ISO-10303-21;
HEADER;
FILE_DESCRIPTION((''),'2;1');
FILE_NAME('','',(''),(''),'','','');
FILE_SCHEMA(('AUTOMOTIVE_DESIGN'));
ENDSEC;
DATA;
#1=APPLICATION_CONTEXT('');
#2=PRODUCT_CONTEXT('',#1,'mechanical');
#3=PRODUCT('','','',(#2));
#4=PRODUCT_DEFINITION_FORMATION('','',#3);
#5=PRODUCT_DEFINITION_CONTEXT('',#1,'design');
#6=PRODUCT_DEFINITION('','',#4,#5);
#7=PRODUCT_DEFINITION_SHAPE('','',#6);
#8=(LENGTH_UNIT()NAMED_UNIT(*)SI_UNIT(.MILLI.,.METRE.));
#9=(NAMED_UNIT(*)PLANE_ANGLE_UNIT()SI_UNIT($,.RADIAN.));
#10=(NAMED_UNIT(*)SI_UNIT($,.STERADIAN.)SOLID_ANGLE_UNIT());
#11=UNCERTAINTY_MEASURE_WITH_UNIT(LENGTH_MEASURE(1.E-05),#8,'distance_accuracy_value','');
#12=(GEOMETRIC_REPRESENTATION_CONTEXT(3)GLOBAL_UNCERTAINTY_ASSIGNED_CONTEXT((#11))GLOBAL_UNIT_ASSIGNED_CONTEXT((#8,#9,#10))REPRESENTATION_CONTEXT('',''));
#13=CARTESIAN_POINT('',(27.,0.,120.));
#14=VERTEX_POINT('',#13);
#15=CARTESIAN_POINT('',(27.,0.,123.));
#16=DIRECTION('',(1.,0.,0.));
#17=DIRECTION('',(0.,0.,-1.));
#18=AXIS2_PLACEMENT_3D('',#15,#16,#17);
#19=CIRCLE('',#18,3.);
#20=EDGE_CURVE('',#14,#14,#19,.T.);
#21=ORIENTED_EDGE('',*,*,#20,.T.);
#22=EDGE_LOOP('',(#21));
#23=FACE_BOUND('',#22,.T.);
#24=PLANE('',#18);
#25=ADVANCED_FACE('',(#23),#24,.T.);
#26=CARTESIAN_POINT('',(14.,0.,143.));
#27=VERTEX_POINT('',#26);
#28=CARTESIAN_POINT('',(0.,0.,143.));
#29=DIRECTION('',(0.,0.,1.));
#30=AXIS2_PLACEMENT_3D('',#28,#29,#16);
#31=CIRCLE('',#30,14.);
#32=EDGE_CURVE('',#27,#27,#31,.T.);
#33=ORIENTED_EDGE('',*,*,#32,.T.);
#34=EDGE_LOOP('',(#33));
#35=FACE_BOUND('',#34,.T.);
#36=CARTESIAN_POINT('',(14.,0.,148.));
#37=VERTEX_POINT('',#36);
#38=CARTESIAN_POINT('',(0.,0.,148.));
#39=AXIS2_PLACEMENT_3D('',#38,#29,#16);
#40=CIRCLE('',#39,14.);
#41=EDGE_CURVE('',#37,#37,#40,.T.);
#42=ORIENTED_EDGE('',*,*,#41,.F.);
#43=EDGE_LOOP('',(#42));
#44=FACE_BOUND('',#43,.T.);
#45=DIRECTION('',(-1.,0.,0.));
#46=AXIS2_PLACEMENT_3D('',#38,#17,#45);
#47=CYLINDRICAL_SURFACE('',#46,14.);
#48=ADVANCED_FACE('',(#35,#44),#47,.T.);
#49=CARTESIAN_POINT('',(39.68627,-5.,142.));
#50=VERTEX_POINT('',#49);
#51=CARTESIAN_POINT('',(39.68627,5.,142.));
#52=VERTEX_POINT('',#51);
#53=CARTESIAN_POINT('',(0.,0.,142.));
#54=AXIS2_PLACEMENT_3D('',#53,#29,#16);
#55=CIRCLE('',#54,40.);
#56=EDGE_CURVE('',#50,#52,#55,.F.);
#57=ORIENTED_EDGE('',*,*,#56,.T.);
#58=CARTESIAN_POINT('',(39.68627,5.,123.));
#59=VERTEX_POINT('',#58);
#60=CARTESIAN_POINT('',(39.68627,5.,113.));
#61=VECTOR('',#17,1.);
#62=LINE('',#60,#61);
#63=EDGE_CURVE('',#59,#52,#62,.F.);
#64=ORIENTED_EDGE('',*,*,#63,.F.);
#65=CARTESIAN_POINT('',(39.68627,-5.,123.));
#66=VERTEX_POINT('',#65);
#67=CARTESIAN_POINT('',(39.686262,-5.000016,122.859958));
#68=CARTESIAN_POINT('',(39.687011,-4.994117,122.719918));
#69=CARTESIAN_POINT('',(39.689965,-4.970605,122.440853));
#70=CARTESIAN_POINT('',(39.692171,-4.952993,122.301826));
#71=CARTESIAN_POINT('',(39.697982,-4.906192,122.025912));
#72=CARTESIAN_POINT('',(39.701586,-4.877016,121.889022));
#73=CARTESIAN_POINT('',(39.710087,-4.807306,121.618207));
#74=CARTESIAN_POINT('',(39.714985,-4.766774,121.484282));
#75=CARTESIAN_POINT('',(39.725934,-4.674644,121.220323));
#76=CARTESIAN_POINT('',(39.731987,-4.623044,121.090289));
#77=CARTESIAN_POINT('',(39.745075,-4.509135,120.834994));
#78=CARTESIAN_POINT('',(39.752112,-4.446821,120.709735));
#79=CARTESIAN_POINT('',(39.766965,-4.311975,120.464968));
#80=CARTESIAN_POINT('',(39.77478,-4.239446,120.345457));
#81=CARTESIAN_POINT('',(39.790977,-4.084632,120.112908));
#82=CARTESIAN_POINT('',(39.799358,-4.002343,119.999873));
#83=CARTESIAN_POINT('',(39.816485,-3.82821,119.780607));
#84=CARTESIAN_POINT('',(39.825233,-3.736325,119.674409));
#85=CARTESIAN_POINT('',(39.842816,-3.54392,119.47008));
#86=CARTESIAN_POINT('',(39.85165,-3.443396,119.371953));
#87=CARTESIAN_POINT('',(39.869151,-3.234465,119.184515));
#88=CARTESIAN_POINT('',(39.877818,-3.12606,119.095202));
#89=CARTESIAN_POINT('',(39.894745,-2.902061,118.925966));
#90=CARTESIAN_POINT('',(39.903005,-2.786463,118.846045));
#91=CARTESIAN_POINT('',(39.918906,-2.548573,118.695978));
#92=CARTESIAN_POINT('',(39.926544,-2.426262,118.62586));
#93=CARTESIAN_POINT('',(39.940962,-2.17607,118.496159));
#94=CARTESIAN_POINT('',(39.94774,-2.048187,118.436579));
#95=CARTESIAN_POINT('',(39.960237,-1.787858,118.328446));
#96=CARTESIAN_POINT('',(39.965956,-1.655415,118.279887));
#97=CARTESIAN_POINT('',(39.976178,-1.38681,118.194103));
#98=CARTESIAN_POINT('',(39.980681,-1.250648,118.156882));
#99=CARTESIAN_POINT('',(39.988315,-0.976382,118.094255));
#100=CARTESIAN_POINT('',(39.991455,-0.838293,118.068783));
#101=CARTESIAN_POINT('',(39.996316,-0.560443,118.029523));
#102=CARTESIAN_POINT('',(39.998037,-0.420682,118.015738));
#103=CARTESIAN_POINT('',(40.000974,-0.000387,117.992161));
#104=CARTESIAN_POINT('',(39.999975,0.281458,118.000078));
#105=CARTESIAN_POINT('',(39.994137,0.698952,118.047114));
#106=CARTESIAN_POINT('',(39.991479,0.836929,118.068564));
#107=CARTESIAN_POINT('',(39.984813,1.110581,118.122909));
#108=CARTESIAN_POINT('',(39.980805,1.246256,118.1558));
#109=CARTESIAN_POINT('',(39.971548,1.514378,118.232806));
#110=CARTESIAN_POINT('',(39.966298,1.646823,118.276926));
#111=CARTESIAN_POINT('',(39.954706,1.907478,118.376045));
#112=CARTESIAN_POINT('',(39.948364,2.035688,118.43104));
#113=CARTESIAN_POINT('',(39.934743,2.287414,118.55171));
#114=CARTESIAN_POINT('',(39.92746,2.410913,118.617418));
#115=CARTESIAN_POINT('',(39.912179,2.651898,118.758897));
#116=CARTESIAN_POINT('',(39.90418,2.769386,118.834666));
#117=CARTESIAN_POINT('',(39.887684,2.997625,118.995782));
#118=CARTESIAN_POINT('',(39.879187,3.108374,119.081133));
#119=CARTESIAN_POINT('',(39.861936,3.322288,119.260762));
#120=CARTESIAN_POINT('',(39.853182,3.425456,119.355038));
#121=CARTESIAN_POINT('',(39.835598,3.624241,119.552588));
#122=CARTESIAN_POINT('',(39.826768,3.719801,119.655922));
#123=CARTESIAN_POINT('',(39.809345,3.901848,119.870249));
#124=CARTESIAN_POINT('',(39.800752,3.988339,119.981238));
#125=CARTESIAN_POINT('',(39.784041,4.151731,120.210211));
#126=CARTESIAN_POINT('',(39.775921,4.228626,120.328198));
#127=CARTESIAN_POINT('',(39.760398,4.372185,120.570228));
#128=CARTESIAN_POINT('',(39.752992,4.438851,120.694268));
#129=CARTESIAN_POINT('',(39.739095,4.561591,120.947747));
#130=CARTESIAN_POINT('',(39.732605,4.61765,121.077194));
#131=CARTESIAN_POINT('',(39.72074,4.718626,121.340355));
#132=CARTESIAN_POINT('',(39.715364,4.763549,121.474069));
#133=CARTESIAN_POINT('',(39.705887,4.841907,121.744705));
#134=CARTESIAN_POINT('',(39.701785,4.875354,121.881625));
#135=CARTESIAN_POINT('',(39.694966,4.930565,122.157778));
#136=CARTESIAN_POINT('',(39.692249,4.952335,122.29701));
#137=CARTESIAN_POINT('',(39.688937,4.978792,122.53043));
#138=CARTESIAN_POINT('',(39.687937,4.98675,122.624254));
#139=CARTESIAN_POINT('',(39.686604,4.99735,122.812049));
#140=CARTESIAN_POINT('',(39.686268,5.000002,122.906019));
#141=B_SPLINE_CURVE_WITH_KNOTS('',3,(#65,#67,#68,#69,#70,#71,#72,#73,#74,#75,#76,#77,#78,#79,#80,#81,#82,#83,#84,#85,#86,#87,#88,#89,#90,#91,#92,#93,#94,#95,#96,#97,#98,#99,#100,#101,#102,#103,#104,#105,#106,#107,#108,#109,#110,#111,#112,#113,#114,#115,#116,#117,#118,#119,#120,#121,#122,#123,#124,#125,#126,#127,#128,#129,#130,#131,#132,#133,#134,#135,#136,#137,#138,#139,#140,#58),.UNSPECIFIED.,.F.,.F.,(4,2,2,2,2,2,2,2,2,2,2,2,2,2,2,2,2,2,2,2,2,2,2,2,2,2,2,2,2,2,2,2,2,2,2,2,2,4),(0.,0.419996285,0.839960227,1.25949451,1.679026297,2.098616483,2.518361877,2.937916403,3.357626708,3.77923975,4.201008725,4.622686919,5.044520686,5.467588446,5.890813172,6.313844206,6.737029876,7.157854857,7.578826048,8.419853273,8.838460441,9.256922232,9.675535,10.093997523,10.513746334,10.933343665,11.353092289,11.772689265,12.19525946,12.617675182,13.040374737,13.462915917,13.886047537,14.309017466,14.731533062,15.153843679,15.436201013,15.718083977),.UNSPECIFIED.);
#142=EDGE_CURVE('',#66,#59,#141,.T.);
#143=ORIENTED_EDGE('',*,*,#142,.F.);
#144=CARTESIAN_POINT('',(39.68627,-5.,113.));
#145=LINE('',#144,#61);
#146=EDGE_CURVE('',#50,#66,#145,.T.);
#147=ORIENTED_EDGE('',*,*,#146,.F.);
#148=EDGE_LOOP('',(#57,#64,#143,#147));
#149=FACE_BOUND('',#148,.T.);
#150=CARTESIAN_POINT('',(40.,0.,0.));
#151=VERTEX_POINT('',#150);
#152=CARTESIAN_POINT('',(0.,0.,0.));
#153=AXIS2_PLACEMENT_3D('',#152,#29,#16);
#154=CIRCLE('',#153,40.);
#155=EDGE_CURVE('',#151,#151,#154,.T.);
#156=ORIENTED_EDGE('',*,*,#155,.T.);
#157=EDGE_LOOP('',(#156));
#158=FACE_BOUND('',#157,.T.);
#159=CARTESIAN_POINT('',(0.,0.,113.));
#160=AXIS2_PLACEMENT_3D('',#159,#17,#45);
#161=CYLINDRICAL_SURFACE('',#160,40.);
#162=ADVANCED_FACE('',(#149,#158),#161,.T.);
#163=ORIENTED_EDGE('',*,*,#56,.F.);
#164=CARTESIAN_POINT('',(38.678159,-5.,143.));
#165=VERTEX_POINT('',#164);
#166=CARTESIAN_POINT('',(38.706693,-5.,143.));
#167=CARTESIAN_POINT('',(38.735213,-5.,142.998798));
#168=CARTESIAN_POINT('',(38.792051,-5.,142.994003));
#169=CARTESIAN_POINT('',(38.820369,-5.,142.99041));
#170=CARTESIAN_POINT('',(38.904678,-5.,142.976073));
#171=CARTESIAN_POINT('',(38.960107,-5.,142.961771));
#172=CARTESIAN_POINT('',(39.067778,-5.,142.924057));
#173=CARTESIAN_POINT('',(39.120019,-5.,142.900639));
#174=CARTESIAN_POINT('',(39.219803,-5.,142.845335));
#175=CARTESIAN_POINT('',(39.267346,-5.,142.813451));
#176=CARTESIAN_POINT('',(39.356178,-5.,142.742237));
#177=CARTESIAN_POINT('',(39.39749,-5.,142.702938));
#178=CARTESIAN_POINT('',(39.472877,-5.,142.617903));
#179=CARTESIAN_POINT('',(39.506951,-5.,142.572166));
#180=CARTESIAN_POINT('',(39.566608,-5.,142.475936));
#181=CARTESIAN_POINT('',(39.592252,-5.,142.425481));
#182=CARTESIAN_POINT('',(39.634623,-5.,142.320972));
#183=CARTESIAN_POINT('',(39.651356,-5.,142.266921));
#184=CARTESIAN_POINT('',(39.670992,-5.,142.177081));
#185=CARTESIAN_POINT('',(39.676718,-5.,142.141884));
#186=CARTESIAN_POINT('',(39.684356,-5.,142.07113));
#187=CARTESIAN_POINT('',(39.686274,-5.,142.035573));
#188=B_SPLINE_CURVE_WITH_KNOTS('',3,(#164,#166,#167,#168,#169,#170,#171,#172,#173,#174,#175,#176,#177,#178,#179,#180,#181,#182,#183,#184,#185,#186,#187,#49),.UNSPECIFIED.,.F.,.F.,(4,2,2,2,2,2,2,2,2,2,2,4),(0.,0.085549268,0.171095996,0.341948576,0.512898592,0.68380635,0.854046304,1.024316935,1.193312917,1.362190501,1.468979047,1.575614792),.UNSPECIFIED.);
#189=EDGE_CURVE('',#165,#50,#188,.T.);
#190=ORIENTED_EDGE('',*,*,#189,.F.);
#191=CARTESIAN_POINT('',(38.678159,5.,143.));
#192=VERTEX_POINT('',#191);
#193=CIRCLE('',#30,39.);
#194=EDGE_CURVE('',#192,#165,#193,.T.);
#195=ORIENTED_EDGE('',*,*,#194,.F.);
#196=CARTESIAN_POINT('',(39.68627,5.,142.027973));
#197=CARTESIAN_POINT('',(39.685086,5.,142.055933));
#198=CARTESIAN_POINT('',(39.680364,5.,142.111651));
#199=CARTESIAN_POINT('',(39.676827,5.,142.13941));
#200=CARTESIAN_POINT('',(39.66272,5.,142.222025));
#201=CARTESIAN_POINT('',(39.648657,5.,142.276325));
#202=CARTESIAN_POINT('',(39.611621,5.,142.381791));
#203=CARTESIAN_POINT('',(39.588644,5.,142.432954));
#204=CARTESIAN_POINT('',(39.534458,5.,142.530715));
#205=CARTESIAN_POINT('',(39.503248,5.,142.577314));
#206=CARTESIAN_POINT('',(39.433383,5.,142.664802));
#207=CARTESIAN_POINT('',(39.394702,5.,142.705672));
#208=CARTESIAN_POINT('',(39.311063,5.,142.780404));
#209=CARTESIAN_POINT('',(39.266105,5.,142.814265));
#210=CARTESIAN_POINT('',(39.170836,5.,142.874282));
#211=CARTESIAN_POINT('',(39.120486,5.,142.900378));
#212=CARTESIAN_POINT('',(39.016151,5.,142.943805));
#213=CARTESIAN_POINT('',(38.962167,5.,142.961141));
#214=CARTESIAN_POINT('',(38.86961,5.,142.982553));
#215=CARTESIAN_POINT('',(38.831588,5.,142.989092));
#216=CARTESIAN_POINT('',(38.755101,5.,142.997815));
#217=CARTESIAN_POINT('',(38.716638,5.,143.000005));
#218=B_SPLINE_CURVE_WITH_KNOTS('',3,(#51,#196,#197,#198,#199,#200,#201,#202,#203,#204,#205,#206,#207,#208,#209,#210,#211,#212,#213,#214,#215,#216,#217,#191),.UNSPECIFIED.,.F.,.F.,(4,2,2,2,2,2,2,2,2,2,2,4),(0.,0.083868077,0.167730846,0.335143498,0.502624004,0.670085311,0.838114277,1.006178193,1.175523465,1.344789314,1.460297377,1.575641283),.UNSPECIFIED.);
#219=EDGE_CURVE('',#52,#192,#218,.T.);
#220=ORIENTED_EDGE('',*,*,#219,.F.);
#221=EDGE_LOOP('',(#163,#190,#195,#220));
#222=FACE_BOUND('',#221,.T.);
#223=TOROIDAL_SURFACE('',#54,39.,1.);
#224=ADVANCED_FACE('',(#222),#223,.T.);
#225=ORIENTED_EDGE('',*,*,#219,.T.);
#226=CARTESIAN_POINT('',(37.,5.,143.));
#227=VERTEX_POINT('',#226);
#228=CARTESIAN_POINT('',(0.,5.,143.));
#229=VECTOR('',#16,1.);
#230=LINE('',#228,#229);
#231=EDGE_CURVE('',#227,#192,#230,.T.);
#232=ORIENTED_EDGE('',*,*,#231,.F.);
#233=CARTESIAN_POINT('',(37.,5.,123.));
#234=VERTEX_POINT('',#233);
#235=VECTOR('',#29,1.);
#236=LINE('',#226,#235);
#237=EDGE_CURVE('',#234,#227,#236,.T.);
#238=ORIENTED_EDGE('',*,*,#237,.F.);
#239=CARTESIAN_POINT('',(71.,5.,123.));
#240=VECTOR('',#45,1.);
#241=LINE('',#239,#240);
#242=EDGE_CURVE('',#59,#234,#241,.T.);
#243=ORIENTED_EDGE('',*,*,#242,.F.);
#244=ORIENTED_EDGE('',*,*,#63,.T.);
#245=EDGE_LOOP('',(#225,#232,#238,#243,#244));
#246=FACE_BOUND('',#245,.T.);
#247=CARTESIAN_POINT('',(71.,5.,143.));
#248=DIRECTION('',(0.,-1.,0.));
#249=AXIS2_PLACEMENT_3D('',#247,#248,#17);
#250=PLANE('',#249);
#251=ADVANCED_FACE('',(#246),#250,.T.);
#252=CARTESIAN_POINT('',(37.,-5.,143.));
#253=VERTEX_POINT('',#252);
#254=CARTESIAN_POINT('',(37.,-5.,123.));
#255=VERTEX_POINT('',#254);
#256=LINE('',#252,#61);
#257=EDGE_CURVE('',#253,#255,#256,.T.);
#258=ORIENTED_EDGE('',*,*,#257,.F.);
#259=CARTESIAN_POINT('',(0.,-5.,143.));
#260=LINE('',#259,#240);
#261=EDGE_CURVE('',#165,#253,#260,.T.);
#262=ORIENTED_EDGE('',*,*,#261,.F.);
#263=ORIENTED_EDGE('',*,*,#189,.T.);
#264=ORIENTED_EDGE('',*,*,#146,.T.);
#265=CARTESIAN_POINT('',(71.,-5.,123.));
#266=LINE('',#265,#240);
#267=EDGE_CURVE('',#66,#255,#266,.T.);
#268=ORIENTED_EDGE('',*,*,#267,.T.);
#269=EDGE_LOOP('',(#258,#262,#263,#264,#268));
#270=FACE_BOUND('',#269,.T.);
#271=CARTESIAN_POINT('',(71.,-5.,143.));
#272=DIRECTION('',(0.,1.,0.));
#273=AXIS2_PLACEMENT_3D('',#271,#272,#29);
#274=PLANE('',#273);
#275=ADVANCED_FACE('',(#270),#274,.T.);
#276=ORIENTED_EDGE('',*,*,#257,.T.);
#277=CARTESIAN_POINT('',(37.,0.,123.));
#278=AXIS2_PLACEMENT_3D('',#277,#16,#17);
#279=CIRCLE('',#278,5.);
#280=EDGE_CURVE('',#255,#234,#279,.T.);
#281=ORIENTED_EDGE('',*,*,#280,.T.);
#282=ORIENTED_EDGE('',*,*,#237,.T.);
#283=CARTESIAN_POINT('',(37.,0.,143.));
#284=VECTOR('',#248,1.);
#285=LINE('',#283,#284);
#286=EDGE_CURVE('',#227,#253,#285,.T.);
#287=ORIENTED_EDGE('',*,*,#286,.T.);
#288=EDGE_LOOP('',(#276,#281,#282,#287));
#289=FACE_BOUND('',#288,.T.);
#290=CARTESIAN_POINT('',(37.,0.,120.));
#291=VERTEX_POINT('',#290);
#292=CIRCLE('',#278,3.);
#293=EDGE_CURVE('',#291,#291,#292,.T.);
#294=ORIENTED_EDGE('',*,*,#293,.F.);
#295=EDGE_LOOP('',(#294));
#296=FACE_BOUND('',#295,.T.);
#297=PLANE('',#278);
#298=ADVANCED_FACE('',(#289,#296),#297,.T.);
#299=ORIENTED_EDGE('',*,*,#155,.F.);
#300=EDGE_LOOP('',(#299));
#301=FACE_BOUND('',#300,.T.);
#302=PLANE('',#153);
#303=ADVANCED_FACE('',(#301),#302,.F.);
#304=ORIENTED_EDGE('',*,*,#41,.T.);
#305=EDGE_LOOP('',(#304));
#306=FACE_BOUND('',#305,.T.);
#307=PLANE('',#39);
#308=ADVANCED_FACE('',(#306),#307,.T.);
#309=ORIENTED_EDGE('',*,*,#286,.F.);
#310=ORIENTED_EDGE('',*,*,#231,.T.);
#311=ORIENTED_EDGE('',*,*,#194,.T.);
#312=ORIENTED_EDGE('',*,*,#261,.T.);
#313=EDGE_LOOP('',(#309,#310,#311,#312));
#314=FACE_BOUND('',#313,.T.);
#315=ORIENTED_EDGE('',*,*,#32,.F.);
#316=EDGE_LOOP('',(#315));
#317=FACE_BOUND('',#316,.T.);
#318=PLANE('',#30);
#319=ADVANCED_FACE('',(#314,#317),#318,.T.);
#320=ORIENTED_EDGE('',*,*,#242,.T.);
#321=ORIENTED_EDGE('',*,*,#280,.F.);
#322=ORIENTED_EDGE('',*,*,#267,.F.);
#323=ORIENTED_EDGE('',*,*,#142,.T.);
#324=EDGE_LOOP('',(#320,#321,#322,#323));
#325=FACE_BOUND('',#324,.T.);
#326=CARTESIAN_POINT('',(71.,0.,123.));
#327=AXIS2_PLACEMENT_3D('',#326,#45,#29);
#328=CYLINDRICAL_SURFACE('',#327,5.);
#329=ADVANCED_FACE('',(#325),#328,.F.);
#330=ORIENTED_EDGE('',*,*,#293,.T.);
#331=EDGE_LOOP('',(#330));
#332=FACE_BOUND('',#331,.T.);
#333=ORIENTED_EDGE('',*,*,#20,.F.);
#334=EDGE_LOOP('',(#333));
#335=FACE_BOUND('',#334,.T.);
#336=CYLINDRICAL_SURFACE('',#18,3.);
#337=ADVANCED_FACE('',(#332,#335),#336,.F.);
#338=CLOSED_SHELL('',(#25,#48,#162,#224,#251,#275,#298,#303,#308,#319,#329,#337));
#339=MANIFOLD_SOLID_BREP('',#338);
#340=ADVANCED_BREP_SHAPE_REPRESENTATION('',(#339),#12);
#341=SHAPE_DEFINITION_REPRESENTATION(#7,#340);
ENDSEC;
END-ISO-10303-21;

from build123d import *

# Parameters (mm, degrees)
SKETCH_1_R          = 40
EXTRUDE_1_DEPTH     = 113
SKETCH_2_R          = 40
EXTRUDE_2_DEPTH     = 30
SKETCH_3_R          = 14
EXTRUDE_3_DEPTH     = 5
CUT_EXTRUDE_1_DEPTH = 34
SKETCH_6_R          = 3
CUT_EXTRUDE_2_DEPTH = 10
FILLET_1_R          = 1


with BuildPart() as part:
    # 草图1 → 凸台-拉伸1 (new body)
    with BuildSketch(Plane.XY):
        Circle(SKETCH_1_R)
    extrude(amount=EXTRUDE_1_DEPTH)

    # 草图2 → 凸台-拉伸2 (add)
    with BuildSketch(Plane.XY.offset(113)):
        Circle(SKETCH_2_R)
    extrude(amount=EXTRUDE_2_DEPTH)

    # 草图3 → 凸台-拉伸3 (add)
    with BuildSketch(Plane.XY.offset(143)):
        Circle(SKETCH_3_R)
    extrude(amount=EXTRUDE_3_DEPTH)

    # 草图5 → 切除-拉伸1 (cut)
    with BuildSketch(Plane(origin=(37, 0, 0), x_dir=(0, 0, -1), z_dir=(1, 0, 0))):
        with BuildLine():
            Line((-143, 0), (-143, -5))
            Line((-143, -5), (-123, -5))
            ThreePointArc((-123, -5), (-118, 0), (-123, 5))
            Line((-123, 5), (-143, 5))
            Line((-143, 5), (-143, 0))
        make_face()
    extrude(amount=CUT_EXTRUDE_1_DEPTH, mode=Mode.SUBTRACT)

    # 草图6 → 切除-拉伸2 (cut)
    with BuildSketch(Plane(origin=(37, 0, 0), x_dir=(0, 0, -1), z_dir=(1, 0, 0))):
        with Locations((-123, 0)):
            Circle(SKETCH_6_R)
    extrude(amount=-CUT_EXTRUDE_2_DEPTH, mode=Mode.SUBTRACT)

    # 圆角1
    fillet_1_edges = [part.edges().sort_by_distance(p)[0] for p in [
        (-40, 0, 143),
    ]]
    fillet(fillet_1_edges, radius=FILLET_1_R)


solid = part.part
